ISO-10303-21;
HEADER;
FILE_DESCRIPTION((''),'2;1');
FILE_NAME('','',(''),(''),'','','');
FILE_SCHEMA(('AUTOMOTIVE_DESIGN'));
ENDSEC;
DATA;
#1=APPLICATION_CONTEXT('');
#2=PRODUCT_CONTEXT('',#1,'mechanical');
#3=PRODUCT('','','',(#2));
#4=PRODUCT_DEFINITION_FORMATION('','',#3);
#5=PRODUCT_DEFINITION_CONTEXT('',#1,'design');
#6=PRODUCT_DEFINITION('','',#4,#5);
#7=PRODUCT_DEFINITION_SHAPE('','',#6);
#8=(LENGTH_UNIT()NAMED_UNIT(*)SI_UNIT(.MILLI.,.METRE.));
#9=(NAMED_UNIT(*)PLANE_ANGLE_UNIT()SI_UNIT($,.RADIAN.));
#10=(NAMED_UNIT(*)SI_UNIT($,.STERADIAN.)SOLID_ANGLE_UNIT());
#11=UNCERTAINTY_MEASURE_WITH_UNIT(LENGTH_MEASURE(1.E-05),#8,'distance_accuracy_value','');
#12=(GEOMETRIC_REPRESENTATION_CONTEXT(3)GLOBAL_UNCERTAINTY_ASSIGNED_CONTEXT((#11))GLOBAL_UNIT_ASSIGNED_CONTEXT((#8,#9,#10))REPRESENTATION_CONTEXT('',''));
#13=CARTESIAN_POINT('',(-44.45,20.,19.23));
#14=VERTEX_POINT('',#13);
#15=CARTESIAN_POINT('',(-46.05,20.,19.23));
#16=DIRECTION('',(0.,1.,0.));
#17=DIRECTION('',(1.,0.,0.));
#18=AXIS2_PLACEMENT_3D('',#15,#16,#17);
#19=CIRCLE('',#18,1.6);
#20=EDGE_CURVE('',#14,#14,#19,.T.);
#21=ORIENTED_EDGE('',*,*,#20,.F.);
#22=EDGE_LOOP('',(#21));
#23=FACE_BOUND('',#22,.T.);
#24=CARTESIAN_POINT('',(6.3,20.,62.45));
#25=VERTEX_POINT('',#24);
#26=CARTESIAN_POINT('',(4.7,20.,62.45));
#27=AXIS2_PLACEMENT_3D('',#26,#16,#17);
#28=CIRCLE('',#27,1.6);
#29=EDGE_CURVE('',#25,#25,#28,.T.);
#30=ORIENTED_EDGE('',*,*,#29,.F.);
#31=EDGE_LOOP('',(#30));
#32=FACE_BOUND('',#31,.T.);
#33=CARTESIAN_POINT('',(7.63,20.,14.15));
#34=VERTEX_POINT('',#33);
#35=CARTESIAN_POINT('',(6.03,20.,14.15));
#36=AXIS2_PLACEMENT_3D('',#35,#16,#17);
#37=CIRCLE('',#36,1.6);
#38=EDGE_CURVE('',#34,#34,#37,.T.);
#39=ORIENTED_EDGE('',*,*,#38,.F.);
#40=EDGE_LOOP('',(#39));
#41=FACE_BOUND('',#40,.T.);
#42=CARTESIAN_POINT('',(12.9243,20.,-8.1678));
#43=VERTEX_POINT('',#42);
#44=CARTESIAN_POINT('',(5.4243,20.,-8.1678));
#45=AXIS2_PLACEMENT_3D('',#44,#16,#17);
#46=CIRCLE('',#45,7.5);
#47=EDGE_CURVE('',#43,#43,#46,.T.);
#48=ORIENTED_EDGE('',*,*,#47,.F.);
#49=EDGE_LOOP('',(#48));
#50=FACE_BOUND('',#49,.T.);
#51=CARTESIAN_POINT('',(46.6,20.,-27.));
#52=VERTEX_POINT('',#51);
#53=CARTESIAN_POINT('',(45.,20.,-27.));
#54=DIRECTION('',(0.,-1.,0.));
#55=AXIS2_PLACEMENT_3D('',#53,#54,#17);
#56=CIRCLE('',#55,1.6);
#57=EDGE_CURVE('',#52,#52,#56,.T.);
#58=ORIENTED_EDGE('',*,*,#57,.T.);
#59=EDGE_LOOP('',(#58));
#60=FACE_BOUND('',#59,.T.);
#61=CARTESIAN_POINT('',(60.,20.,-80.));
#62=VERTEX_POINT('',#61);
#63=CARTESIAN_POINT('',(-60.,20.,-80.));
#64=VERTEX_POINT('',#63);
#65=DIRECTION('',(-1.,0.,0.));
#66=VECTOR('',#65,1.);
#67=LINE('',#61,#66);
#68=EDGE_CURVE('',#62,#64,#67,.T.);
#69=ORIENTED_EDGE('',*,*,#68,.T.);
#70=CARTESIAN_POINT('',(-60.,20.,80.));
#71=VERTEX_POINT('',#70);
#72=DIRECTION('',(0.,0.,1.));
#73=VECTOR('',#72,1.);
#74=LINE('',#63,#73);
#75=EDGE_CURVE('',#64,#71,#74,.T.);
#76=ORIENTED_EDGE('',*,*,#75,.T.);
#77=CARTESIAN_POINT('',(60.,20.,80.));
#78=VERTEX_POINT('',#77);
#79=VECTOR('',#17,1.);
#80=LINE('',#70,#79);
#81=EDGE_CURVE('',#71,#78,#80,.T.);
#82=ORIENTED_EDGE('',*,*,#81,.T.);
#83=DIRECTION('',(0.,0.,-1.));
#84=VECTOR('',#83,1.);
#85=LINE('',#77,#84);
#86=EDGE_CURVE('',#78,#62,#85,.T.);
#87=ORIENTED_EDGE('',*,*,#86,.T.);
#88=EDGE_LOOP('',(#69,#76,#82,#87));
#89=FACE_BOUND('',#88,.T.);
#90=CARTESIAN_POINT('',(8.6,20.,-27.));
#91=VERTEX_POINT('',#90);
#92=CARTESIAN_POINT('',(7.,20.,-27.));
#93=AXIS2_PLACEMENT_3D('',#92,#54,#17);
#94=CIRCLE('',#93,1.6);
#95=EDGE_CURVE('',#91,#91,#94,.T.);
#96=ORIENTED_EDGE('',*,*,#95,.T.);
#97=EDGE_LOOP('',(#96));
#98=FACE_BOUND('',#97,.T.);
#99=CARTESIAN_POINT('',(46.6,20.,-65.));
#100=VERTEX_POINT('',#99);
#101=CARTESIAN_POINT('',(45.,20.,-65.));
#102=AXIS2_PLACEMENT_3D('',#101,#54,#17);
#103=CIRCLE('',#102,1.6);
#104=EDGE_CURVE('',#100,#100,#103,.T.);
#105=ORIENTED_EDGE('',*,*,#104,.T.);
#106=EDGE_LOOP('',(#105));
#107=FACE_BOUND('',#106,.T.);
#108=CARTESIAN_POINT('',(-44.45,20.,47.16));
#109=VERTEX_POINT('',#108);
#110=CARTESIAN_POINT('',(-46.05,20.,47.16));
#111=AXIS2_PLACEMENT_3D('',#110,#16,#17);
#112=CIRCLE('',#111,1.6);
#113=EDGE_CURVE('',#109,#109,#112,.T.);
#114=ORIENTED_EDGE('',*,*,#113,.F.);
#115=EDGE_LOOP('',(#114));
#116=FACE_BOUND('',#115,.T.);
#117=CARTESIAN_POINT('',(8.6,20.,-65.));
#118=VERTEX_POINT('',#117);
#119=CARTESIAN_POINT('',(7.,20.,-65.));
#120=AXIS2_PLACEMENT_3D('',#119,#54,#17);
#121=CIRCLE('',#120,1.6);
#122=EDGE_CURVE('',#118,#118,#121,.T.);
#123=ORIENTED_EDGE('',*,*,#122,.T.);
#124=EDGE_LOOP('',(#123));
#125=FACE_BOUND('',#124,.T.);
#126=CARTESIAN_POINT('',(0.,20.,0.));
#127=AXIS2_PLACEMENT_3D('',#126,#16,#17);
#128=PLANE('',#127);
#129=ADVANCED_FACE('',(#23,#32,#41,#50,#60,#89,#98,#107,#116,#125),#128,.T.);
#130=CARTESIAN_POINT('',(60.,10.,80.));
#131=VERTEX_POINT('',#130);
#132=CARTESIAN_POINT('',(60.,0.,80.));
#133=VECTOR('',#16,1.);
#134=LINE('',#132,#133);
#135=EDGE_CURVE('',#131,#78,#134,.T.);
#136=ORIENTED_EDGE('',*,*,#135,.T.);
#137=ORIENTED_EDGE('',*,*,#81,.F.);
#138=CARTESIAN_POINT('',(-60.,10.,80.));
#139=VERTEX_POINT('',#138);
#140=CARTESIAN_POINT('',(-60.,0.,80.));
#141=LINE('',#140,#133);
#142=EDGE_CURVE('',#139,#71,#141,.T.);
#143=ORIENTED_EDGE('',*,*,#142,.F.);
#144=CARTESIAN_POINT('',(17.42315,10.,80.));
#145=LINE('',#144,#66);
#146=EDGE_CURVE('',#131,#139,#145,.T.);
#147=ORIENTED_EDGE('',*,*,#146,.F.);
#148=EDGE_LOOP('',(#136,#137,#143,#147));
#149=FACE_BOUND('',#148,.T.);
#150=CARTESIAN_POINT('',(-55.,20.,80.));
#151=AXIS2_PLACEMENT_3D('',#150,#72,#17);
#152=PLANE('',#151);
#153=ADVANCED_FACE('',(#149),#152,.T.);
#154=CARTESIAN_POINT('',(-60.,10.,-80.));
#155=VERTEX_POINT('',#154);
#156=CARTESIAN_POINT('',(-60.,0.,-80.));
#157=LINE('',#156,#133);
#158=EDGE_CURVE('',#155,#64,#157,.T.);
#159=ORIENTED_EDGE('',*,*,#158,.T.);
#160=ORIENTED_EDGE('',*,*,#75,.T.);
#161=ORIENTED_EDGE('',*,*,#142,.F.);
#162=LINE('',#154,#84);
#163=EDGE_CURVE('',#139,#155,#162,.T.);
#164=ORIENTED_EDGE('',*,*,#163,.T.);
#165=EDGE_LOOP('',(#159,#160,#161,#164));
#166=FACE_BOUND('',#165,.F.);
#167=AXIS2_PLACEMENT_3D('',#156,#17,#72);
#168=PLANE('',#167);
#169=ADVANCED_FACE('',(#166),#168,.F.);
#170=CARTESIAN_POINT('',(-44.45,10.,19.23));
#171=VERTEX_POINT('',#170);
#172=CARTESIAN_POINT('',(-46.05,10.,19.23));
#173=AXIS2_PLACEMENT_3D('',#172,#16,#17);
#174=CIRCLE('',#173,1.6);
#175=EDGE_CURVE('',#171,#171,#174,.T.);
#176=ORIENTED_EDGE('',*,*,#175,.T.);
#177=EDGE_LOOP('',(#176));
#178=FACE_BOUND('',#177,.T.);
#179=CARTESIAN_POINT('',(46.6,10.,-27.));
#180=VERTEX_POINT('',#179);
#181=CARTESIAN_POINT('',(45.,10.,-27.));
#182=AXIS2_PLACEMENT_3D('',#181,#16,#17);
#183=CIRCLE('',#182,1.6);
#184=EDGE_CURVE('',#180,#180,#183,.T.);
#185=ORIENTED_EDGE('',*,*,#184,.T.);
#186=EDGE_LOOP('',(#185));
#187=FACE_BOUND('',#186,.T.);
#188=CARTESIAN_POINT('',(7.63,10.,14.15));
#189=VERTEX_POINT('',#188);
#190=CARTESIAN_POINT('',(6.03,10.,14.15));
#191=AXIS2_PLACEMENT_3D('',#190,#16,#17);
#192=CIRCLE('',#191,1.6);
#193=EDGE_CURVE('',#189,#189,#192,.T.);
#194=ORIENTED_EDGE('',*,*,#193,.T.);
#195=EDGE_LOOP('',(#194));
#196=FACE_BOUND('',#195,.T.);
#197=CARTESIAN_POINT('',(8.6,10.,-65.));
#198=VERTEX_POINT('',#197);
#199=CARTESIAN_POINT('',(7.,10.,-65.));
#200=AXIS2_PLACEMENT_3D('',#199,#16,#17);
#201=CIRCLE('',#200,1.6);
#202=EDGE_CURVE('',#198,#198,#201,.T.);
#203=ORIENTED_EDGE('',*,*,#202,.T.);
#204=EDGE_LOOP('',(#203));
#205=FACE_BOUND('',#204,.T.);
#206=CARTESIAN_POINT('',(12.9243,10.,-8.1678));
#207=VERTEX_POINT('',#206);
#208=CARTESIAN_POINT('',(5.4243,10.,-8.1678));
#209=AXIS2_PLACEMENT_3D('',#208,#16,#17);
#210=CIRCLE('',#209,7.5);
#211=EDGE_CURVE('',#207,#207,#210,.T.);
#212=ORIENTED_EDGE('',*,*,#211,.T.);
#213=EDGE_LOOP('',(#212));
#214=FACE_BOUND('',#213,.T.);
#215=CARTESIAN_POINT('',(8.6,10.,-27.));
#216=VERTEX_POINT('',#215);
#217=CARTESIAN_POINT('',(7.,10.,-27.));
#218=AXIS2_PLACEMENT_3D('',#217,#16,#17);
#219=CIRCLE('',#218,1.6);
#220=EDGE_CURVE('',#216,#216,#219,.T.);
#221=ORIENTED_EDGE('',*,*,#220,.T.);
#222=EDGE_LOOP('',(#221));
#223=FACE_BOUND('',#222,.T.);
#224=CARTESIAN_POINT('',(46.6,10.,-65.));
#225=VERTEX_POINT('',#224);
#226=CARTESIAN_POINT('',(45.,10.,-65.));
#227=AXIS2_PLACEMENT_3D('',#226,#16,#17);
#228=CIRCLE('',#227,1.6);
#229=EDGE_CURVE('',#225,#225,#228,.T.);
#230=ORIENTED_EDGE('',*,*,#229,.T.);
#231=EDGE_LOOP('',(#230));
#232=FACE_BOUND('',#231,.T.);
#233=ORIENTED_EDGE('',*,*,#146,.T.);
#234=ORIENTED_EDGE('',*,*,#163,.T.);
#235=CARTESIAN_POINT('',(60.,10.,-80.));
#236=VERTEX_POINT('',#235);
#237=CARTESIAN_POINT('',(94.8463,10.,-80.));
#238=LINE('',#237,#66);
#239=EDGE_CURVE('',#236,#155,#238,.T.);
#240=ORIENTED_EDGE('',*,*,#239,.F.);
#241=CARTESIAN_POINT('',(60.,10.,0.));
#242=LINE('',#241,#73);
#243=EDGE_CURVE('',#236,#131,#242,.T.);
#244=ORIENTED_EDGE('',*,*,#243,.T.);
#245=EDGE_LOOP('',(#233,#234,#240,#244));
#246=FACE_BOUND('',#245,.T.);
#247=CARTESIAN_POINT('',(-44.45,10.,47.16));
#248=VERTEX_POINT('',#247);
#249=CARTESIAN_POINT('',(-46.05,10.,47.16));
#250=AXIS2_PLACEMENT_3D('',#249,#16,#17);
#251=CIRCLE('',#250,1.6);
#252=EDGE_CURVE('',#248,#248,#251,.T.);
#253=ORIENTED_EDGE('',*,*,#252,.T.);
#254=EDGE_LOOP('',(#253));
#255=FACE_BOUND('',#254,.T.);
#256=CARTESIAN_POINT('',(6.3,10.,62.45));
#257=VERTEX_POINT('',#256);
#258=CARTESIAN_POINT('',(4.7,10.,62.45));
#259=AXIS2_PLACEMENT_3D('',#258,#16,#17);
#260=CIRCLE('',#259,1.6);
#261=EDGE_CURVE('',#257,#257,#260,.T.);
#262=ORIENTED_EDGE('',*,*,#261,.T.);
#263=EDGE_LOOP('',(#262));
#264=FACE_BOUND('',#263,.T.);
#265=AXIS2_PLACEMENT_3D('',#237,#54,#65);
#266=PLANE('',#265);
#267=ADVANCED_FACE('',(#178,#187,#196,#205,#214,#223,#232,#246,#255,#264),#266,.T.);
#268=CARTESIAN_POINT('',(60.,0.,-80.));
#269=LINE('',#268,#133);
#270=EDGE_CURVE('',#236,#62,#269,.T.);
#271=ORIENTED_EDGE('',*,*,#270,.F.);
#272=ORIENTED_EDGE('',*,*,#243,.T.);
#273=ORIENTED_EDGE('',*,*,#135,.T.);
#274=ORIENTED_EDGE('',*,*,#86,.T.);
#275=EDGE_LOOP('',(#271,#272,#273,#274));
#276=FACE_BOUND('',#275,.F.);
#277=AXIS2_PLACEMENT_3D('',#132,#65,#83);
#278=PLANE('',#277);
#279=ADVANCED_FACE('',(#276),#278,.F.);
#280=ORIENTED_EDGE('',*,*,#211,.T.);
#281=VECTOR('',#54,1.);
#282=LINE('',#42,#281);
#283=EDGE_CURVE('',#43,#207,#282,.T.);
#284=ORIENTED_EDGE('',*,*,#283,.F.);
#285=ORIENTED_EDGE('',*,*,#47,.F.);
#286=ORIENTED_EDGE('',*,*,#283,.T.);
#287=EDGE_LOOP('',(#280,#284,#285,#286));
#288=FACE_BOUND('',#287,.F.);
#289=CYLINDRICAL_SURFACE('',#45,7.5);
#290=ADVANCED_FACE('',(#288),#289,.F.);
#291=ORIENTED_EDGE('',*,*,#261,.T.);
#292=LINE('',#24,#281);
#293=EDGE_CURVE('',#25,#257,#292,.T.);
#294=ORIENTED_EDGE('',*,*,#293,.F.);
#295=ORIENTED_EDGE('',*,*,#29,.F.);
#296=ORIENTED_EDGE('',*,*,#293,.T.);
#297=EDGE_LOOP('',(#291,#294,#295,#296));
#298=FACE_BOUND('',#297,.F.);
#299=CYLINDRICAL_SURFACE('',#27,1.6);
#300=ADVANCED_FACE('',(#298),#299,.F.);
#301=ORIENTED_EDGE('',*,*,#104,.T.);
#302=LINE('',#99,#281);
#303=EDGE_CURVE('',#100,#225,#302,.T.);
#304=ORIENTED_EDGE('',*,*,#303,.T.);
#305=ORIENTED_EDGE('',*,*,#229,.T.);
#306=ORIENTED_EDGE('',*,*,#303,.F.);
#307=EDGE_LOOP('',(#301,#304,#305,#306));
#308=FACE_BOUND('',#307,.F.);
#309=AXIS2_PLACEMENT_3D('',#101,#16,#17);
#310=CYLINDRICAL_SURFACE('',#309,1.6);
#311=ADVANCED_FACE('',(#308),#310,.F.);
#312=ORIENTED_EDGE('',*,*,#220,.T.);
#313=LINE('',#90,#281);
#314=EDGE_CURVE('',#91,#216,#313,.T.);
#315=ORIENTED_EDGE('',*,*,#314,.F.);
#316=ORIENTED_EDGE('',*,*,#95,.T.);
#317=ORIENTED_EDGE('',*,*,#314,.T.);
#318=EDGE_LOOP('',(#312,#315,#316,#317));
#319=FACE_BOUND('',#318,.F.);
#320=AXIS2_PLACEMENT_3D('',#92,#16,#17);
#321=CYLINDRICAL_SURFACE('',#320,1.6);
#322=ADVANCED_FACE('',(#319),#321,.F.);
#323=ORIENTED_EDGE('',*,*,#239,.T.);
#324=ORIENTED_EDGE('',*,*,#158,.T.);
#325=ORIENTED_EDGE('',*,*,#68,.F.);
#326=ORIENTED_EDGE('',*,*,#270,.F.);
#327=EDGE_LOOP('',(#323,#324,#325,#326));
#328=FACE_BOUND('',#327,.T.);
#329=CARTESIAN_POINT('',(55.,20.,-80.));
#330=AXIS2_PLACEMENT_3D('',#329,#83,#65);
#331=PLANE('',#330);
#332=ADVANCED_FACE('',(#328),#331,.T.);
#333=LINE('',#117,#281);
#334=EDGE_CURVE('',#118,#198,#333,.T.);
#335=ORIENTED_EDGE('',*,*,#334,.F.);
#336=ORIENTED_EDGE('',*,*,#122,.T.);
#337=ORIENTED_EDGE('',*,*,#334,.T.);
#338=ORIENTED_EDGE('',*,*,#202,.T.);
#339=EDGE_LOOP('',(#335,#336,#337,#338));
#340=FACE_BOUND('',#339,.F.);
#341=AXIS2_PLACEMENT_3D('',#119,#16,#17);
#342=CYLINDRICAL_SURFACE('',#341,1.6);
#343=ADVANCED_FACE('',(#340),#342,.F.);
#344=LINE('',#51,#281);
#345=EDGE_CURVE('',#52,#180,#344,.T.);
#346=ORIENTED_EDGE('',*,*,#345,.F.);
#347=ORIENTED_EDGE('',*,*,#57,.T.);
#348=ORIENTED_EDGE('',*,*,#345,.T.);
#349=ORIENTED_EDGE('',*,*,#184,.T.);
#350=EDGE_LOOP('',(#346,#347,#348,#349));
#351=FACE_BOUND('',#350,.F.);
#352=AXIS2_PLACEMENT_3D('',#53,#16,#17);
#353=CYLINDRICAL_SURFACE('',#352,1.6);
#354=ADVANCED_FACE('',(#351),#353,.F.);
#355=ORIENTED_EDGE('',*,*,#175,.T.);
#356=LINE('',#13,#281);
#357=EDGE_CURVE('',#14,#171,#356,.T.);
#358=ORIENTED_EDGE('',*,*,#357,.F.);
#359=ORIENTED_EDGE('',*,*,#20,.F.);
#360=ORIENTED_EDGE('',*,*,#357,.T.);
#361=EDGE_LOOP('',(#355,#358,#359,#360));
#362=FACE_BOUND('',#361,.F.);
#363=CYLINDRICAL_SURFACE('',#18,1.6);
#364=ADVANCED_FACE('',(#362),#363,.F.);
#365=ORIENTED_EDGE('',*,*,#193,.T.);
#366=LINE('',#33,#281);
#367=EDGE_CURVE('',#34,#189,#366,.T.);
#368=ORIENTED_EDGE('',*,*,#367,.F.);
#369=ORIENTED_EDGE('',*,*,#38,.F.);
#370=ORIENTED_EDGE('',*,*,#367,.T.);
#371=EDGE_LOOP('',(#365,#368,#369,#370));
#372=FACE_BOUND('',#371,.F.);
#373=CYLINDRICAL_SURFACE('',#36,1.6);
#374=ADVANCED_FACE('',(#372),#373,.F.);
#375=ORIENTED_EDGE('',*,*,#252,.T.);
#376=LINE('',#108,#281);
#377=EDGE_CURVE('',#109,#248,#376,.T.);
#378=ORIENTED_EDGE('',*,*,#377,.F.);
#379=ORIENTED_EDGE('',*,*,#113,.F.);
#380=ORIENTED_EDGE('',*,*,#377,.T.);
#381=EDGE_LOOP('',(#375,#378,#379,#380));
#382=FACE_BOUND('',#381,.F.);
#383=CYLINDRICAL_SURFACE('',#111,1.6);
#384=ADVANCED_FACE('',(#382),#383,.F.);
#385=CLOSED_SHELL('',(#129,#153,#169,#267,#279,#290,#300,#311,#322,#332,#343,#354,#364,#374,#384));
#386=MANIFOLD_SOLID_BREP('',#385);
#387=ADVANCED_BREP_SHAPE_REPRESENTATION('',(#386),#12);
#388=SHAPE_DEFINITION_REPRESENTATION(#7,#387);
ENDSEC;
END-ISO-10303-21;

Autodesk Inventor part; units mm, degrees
ref_plane "YZ Plane" through (0, 0, 0) normal (1, 0, 0) x (0, 1, 0)
ref_plane "XZ Plane" through (0, 0, 0) normal (0, 1, 0) x (-1, 0, 0)
ref_plane "XY Plane" through (0, 0, 0) normal (0, 0, 1) x (1, 0, 0)
sketch "스케치1" plane through (0, 0, 0) normal (0, 1, 0) x (-1, 0, 0)
  line L0 (60, 80) -> (-60, 80)
  line L1 (-60, 80) -> (-60, -80)
  line L2 (-60, -80) -> (60, -80)
  line L3 (60, -80) -> (60, 80)
  line L4 (60, 80) -> (-60, -80) construction
  line L5 (-60, 80) -> (60, -80) construction
  point P0 (0, 0)
  dimension "d0" = 120
  dimension "d1" = 160
extrude "돌출1" add sketch "스케치1" along normal blind 60
sketch "스케치2" plane through (0, 60, 0) normal (0, 1, 0) x (1, 0, 0)
  line L0 (60, -80) -> (60, 80) projected
  line L1 (60, 80) -> (-60, 80) projected
  line L2 (55, 102.1646) -> (-55, 102.1646)
  line L3 (-55, 102.1646) -> (-55, -89.711)
  line L4 (-55, -89.711) -> (55, -89.711)
  line L5 (55, -89.711) -> (55, 102.1646)
  line L6 (-60, 80) -> (-60, -80) projected
  point P0 (0, 0)
  point P1 (55, 80)
  point P2 (-55, 80)
  dimension "d6" = 5
  dimension "d7" = 5
extrude "돌출2" cut sketch "스케치2" against normal blind 40 contours L5 L4 L3 L1
sketch "스케치12" plane through (60, 0, -80) normal (0, 0, -1) x (-1, 0, 0)
  line L0 (-34.8463, 10) -> (156.2634, 10)
  line L1 (156.2634, 10) -> (156.2634, -36.9465)
  line L2 (156.2634, -36.9465) -> (-34.8463, -36.9465)
  line L3 (-34.8463, -36.9465) -> (-34.8463, 10)
  line L4 (0, 0) -> (120, 0) projected
  point P0 (60, 0)
  dimension "d85" = 10
extrude "돌출10" cut sketch "스케치12" against normal through all
sketch "스케치13" plane through (-55, 20, 80) normal (0, 0, 1) x (1, 0, 0)
  line L0 (0, 40) -> (0, 0) projected
  line L1 (0, 0) -> (110, 0) projected
  line L2 (0, 40) -> (110, 40)
  line L3 (110, 40) -> (110, 0)
  line L4 (110, 0) -> (0, 0)
  line L5 (0, 0) -> (0, 40)
  point P0 (55, -20)
extrude "돌출11" add sketch "스케치13" against normal blind 5
sketch "스케치14" plane through (55, 20, -80) normal (0, 0, -1) x (-1, 0, 0)
  line L0 (0, 0) -> (0, 40) projected
  line L1 (110, 0) -> (0, 0) projected
  line L2 (0, 40) -> (110, 40)
  line L3 (110, 40) -> (110, 0)
  line L4 (110, 0) -> (0, 0)
  line L5 (0, 0) -> (0, 40)
  point P0 (55, -20)
extrude "돌출12" add sketch "스케치14" against normal blind 5
sketch "스케치15" plane through (60, 60, -80) normal (0, 0, -1) x (-1, 0, 0)
  point P0 (60, -60)
sketch "스케치16" plane through (60, 60, -80) normal (0, 0, -1) x (-1, 0, 0)
  point P0 (60, -60)
sketch "스케치17" plane through (0, 20, 0) normal (0, 1, 0) x (1, 0, 0)
  line L0 (7, 27) -> (45, 27)
  line L1 (45, 27) -> (45, 65)
  line L2 (45, 65) -> (7, 65)
  line L3 (7, 65) -> (7, 27)
  line L4 (55, 75) -> (55, -75) projected
  line L5 (55, 75) -> (-55, 75) projected
  circle A0 centre (7, 27) radius 1.6
  circle A1 centre (7, 65) radius 1.6
  circle A2 centre (45, 65) radius 1.6
  circle A3 centre (45, 27) radius 1.6
  line L6 (-47.9371, 14.7215) -> (-7.9371, 14.7215)
  line L7 (-7.9371, 14.7215) -> (-7.9371, 64.7215)
  line L8 (-7.9371, 64.7215) -> (-47.9371, 64.7215)
  line L9 (-47.9371, 64.7215) -> (-47.9371, 14.7215)
  point P0 (0, 0)
  dimension "d92" = 38
  dimension "d93" = 38
  dimension "d95" = 10
  dimension "d96" = 10
  dimension "d97" = 3.2
  dimension "d98" = 3.2
  dimension "d99" = 3.2
  dimension "d100" = 3.2
  dimension "d113" = 40
  dimension "d114" = 50
extrude "돌출13" cut sketch "스케치17" against normal through all contours L3 A0 L0 | L0 A0 L3 | A3 L1 L0 | L0 L1 A3 | A1 L2 L3 | L3 L2 A1 | A2 L2 L1 | L1 L2 A2
sketch "스케치21" plane through (0, 20, 0) normal (0, 1, 0) x (1, 0, 0)
  circle A0 centre (5.4243, 8.1678) radius 7.5
  line L0 (-49.3888, 17.2731) -> (-9.3888, 17.2731)
  line L1 (-9.3888, 17.2731) -> (-9.3888, 67.2731)
  line L2 (-9.3888, 67.2731) -> (-49.3888, 67.2731)
  line L3 (-49.3888, 67.2731) -> (-49.3888, 17.2731)
  point P0 (0, 0)
  dimension "d117" = 15
  dimension "d118" = 50
  dimension "d119" = 40
extrude "돌출15" cut sketch "스케치21" against normal through all contours A0
sketch "스케치23" plane through (0, 20, 0) normal (0, 1, 0) x (1, 0, 0)
  line L0 (-48.6, -65) -> (20, -65)
  line L1 (20, -65) -> (20, -11.6)
  line L2 (20, -11.6) -> (-48.6, -11.6)
  line L3 (-48.6, -11.6) -> (-48.6, -65)
  line L4 (55, 75) -> (55, -75) projected
  line L5 (-55, -75) -> (55, -75) projected
  circle A0 centre (4.7, -62.45) radius 1.6
  circle A1 centre (6.03, -14.15) radius 1.6
  circle A2 centre (-46.05, -47.16) radius 1.6
  circle A3 centre (-46.05, -19.23) radius 1.6
  point P0 (0, 0)
  dimension "d123" = 68.6
  dimension "d124" = 53.4
  dimension "d125" = 35
  dimension "d126" = 10
  dimension "d127" = 3.2
  dimension "d128" = 15.3
  dimension "d129" = 2.55
  dimension "d130" = 3.2
  dimension "d131" = 13.97
  dimension "d132" = 2.55
  dimension "d133" = 3.2
  dimension "d134" = 35.56
  dimension "d135" = 3.2
  dimension "d136" = 2.55
  dimension "d137" = 2.55
  dimension "d138" = 7.63
extrude "돌출16" cut sketch "스케치23" against normal through all contours A0 | A1 | A2 | A3
sketch "스케치24" plane through (0, 60, 0) normal (0, 1, 0) x (1, 0, 0)
  line L0 (-60, 80) -> (-60, -80) projected
  line L1 (60, 80) -> (-60, 80) projected
  line L2 (-60, -80) -> (60, -80)
  line L3 (60, -80) -> (60, 80)
  line L4 (60, 80) -> (-60, 80)
  line L5 (-60, 80) -> (-60, -80)
  point P0 (0, 0)
extrude "돌출17" cut sketch "스케치24" against normal blind 40
sketch "스케치25" plane through (60, 20, -80) normal (0, 0, -1) x (-1, 0, 0)
  point P0 (60, -20)
sketch "스케치26" plane through (0, 20, 0) normal (0, 1, 0) x (1, 0, 0)
  point P0 (0, 0)
properties part number "본체 밑판"
